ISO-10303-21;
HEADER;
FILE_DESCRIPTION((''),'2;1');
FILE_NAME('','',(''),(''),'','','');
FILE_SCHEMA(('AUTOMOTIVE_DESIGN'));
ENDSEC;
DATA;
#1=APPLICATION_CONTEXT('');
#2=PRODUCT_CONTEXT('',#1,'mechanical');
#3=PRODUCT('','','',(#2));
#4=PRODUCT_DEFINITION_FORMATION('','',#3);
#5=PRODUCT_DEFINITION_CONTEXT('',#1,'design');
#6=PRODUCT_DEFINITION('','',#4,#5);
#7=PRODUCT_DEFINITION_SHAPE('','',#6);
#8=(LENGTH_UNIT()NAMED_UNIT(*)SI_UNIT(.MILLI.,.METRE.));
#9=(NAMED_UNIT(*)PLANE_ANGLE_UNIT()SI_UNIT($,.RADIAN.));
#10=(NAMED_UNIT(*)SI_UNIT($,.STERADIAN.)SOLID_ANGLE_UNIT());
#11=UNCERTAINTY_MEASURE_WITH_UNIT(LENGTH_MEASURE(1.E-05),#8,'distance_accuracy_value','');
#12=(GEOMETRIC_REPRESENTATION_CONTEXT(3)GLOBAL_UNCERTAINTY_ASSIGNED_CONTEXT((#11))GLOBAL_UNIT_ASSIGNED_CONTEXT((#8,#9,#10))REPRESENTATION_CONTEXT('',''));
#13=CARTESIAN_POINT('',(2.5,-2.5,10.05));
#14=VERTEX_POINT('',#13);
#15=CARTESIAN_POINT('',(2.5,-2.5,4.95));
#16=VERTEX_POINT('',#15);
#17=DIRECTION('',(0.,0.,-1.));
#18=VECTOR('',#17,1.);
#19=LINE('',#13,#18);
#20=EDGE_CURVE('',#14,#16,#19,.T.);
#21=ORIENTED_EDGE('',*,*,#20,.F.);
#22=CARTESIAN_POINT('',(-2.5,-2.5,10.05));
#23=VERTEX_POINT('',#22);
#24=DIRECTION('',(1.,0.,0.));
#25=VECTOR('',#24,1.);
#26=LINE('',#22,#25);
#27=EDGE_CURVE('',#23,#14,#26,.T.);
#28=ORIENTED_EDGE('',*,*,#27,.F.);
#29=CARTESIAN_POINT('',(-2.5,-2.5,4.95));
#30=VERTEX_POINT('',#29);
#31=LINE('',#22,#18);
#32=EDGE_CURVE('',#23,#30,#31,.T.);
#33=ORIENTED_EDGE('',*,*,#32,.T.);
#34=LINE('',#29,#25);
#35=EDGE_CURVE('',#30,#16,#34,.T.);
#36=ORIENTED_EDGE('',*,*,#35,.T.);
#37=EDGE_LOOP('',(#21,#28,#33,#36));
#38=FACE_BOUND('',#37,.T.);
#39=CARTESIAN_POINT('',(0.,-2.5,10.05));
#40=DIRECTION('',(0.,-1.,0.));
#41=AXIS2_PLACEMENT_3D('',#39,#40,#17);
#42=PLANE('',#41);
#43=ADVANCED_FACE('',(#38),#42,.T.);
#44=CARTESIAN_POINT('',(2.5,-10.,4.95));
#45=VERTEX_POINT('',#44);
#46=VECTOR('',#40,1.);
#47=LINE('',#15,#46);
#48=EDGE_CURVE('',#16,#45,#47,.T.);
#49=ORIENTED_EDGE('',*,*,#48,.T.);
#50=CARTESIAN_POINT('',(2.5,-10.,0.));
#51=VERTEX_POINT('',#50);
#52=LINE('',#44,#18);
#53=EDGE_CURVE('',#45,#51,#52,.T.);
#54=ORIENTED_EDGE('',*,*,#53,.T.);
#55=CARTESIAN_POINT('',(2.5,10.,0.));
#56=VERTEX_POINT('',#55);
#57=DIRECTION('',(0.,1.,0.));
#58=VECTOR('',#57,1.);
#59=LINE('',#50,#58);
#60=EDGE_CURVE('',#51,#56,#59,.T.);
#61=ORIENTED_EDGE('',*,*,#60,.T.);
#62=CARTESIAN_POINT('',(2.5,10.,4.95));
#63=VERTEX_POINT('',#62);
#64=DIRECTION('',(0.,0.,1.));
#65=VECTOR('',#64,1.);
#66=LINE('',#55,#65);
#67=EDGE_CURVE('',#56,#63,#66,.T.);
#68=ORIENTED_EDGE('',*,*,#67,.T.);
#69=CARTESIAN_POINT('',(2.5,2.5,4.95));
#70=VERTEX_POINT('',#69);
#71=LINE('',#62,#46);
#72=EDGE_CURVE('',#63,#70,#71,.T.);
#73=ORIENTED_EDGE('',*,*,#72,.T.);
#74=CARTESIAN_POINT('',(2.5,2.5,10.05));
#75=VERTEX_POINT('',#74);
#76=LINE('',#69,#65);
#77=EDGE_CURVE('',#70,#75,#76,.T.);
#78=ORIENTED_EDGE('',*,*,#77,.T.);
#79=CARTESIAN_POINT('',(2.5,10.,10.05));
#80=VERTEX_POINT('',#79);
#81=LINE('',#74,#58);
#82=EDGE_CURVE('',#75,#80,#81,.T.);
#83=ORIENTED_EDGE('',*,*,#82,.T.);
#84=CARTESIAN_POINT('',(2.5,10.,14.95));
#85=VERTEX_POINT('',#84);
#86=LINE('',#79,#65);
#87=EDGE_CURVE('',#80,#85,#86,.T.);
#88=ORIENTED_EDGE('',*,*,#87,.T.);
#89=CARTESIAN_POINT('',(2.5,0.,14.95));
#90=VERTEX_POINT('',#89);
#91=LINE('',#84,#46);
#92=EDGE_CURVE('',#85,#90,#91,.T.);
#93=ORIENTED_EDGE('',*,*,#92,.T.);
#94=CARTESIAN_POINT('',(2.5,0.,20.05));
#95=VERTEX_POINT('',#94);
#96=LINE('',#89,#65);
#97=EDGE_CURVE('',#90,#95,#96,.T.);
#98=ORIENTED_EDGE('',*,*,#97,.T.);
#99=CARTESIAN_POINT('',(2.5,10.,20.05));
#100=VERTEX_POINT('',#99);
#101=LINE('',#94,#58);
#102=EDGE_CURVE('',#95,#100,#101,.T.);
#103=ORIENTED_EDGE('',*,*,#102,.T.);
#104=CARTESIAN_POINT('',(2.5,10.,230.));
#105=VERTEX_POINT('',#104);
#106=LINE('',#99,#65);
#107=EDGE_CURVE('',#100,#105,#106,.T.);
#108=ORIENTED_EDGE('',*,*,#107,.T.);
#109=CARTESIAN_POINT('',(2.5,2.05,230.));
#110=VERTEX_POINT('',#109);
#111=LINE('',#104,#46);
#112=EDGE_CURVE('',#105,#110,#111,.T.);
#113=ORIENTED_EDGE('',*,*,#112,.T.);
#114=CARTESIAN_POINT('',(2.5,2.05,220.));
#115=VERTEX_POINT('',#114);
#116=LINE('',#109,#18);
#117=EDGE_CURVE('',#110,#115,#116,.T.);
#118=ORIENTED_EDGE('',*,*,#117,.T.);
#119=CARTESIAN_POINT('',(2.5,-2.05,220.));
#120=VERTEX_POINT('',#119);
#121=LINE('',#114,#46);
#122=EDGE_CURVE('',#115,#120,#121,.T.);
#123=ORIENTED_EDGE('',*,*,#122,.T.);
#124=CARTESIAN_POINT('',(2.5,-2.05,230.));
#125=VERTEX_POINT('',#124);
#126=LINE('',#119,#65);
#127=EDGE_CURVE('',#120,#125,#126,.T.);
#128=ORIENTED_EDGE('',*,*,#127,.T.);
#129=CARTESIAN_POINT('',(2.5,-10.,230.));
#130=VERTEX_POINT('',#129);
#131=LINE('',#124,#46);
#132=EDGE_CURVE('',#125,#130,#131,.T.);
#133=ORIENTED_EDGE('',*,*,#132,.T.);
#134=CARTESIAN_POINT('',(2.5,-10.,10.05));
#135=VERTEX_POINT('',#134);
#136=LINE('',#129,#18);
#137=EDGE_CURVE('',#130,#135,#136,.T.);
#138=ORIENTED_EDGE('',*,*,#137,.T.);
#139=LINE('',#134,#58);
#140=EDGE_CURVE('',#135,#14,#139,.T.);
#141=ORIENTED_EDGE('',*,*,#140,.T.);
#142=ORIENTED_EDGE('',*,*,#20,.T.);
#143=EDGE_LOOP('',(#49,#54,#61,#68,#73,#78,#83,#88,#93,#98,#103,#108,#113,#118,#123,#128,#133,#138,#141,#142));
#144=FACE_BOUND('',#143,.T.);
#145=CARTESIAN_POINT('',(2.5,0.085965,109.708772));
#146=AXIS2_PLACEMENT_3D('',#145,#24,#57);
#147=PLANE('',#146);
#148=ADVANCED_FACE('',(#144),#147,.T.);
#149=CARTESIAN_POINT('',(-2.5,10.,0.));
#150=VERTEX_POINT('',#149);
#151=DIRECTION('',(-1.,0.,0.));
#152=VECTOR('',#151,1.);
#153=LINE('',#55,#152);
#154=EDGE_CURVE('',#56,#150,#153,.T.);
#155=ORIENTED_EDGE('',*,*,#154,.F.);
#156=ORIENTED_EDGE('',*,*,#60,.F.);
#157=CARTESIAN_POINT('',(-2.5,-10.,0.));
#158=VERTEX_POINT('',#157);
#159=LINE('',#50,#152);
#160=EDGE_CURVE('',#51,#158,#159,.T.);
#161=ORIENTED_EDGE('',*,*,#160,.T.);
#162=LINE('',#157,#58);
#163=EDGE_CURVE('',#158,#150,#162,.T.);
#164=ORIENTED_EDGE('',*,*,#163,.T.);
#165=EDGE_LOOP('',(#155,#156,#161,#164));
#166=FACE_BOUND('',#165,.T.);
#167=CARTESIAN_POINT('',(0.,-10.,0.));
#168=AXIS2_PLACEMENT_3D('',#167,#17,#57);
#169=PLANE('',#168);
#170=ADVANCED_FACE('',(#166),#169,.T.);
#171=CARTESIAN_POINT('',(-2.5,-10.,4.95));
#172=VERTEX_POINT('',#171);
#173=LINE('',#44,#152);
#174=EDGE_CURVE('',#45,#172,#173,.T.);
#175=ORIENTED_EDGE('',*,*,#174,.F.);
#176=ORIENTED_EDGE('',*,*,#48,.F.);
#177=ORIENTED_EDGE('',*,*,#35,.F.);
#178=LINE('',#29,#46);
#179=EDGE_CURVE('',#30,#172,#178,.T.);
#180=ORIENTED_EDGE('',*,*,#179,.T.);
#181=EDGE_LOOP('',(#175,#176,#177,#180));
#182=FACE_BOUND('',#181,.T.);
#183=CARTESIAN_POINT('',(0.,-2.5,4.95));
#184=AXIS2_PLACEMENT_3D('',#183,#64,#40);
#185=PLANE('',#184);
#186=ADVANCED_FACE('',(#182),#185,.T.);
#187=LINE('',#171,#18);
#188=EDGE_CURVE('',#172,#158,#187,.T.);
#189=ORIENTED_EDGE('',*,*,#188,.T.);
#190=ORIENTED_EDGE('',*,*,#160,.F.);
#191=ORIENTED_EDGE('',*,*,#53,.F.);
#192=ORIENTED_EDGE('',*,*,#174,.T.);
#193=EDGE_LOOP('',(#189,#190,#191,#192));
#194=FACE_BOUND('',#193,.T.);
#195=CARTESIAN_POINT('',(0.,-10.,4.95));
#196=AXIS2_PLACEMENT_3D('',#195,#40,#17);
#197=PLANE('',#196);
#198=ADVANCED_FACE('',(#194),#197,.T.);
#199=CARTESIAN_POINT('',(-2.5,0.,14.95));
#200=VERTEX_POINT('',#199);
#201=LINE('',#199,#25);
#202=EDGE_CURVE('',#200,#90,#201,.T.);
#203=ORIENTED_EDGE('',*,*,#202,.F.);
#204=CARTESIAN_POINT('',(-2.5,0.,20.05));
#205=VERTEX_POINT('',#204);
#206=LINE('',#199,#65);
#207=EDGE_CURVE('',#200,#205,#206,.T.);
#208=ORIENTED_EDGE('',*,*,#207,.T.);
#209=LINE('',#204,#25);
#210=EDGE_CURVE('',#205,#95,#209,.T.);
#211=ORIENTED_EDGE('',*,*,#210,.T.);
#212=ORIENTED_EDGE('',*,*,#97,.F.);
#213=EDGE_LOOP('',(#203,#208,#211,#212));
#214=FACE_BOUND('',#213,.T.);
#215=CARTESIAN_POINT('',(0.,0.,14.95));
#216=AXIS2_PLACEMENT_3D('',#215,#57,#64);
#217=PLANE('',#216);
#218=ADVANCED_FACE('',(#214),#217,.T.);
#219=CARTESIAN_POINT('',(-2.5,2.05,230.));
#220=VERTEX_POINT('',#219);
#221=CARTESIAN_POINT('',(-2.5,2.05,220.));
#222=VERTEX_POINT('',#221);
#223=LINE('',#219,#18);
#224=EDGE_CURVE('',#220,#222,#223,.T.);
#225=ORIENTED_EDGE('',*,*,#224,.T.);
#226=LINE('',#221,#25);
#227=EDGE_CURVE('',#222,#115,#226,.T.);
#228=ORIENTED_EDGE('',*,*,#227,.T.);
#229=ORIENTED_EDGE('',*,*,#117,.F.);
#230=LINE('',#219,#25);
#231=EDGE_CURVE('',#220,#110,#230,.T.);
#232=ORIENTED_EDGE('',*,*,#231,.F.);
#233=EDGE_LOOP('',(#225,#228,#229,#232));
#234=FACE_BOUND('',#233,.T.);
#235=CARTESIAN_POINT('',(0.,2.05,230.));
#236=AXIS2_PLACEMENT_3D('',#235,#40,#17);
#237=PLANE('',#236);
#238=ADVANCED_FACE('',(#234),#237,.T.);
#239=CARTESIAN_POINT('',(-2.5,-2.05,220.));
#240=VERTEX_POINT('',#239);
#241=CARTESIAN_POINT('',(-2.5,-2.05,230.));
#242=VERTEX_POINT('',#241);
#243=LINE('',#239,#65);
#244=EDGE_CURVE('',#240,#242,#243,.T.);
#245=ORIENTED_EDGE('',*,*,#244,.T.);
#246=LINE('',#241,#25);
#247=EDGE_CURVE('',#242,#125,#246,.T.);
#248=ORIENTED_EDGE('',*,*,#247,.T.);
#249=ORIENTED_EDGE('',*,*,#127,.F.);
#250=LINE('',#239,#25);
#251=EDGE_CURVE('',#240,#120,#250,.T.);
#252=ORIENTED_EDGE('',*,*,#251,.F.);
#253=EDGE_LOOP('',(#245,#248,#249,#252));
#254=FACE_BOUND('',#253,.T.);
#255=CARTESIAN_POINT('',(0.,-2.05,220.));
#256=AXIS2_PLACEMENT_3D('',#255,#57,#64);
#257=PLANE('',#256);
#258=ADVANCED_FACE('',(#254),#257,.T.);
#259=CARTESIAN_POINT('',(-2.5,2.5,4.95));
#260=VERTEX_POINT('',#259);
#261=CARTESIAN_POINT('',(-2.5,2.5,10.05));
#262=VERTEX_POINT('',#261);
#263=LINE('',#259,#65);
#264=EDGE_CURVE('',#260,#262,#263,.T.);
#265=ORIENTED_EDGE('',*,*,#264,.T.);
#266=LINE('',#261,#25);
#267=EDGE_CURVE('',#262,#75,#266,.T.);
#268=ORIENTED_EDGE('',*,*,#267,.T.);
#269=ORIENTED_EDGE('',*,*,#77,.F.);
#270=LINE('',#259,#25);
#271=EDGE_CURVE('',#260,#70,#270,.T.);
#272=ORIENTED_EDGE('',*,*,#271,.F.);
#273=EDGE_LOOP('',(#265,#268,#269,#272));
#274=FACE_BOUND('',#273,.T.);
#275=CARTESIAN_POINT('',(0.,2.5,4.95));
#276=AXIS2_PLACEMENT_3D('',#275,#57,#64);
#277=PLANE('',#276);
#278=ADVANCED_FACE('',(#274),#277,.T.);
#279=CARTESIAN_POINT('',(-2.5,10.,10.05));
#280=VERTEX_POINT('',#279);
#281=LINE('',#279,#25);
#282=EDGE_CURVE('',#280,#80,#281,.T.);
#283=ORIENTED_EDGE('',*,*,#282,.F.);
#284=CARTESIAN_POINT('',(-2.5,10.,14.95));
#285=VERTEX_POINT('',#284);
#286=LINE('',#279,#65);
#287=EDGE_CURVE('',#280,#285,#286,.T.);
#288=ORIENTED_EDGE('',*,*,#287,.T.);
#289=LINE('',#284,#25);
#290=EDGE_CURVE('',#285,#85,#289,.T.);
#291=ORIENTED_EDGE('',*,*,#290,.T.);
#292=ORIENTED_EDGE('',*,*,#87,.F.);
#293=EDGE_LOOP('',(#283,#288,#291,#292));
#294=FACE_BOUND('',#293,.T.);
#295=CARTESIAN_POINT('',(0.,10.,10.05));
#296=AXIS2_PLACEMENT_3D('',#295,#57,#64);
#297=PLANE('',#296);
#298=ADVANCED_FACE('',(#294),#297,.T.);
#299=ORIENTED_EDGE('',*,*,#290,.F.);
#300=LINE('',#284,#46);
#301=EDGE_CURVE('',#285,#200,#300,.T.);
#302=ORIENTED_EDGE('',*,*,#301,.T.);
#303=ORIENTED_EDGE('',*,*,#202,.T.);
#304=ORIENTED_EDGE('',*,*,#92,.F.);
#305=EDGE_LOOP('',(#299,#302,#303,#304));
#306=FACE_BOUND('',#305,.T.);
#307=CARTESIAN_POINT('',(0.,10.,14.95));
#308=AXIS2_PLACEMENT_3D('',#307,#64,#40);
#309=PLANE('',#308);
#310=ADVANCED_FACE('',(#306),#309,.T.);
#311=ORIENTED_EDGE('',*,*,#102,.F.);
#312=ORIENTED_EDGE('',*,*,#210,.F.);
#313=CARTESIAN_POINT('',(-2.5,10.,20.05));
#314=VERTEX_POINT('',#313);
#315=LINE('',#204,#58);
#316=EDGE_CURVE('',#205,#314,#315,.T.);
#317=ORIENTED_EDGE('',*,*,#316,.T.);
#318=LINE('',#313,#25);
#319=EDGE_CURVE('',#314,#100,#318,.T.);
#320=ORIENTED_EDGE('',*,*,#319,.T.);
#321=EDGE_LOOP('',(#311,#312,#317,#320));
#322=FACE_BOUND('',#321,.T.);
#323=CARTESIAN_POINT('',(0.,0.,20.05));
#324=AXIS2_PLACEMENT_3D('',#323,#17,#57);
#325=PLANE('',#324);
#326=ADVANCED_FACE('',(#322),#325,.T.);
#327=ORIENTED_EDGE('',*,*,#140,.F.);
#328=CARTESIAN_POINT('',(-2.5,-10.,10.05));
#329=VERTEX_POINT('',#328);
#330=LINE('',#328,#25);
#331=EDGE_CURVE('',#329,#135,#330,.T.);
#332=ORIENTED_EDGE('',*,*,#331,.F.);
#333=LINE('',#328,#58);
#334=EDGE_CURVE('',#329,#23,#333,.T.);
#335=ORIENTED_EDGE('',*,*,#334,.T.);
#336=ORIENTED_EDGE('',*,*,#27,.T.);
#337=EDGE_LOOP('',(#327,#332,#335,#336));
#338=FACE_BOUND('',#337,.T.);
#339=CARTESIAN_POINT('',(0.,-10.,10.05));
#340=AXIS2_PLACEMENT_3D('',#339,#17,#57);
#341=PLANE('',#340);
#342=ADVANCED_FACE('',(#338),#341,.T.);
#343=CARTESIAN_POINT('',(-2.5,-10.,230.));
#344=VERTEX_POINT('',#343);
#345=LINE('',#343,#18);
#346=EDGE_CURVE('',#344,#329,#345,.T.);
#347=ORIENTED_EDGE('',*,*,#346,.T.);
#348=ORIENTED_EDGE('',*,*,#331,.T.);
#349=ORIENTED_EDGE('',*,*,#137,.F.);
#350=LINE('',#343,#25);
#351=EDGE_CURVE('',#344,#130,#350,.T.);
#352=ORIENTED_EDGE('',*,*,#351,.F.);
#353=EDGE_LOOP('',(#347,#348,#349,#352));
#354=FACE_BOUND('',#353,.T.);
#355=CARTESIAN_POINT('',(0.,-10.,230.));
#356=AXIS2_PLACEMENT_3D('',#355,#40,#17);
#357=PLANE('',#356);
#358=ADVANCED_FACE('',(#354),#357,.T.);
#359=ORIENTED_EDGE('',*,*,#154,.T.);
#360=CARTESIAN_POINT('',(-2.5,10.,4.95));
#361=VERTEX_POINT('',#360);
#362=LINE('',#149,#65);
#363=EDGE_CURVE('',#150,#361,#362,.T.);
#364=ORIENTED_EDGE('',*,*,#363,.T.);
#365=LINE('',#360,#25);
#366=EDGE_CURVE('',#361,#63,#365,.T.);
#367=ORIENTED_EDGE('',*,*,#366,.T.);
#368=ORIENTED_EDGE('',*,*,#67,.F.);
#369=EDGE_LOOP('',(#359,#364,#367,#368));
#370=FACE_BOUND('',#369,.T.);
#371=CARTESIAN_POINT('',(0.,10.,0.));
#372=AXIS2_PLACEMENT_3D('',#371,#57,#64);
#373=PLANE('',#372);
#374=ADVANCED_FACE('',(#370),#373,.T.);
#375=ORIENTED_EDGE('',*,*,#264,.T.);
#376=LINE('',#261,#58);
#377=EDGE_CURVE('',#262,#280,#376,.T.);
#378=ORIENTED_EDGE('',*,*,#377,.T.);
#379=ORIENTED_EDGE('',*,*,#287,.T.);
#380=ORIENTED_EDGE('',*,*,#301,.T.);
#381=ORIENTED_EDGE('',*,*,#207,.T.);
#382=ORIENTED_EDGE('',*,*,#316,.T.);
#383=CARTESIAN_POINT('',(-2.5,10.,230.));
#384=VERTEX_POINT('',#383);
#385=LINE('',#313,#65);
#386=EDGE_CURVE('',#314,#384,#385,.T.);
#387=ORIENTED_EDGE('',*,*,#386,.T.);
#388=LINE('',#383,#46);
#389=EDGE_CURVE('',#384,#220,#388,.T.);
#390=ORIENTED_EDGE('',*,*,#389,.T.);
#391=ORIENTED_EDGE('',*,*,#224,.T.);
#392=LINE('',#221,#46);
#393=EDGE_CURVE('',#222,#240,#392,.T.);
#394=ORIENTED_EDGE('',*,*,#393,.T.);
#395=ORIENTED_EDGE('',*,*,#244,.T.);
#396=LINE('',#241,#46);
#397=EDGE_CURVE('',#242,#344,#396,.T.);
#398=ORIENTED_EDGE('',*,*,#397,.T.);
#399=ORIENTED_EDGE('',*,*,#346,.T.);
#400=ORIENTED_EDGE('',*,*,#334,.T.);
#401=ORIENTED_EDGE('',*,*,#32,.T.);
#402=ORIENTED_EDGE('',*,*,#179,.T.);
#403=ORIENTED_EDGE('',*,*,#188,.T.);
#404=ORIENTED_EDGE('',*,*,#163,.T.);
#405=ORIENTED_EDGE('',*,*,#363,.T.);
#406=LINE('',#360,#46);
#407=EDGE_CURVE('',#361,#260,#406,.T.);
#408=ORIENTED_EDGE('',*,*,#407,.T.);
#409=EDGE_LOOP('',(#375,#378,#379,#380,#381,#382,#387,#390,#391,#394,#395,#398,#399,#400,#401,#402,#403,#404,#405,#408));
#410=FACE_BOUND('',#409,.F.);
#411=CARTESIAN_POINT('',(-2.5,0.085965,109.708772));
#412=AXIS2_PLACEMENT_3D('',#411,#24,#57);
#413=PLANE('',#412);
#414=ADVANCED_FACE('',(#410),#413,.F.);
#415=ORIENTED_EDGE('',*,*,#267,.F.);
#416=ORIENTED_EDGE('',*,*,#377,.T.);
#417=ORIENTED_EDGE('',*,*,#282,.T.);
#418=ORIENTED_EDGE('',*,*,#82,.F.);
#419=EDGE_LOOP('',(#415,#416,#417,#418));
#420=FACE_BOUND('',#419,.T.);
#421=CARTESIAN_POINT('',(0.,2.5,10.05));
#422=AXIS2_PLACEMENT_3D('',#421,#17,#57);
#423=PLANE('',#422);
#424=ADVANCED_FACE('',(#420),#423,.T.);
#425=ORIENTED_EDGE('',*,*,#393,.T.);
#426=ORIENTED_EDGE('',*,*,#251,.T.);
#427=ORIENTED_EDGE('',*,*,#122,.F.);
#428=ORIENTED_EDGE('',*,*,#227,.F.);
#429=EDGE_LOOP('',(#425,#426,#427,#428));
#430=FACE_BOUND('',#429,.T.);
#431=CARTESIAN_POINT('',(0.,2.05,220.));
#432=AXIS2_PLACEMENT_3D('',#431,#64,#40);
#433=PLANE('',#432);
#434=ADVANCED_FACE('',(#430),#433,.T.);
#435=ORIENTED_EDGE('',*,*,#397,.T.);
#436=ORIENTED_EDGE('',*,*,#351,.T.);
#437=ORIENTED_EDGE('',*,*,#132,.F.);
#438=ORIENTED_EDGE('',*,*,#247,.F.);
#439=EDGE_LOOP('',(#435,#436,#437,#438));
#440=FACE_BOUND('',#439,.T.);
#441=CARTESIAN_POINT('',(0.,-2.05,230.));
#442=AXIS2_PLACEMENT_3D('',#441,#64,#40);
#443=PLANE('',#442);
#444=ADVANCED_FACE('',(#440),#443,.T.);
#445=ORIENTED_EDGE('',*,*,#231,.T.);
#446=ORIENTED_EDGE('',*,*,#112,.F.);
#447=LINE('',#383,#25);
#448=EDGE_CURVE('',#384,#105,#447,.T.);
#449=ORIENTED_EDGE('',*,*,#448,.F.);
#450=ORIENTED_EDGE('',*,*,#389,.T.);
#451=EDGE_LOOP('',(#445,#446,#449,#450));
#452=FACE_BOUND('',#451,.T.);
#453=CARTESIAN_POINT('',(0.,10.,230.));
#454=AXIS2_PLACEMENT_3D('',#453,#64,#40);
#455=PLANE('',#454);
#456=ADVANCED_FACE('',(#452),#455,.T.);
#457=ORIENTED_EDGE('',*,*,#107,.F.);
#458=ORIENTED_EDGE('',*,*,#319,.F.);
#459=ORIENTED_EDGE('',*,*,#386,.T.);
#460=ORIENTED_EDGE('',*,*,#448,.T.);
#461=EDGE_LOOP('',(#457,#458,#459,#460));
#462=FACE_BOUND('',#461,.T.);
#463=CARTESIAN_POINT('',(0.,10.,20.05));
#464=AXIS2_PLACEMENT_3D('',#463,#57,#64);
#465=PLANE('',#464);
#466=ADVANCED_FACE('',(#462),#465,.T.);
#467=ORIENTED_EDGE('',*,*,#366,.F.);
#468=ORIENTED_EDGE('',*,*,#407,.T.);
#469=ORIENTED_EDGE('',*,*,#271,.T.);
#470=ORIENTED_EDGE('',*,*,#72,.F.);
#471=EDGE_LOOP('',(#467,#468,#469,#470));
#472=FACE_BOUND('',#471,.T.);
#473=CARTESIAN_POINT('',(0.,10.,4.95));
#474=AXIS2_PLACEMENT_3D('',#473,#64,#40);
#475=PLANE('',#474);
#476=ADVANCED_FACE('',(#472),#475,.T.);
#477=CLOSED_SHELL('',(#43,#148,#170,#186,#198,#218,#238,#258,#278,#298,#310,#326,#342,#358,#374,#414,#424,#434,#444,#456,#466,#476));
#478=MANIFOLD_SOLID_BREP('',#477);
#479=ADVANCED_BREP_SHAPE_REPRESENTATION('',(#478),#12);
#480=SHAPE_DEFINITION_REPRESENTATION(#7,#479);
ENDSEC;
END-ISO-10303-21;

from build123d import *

# Parameters (mm, degrees)
PAD_DEPTH = 2.5


with BuildPart() as part:
    # Sketch → Pad (new body, symmetric)
    with BuildSketch(Plane.YZ):
        Polygon((10, 0), (10, 4.95), (2.5, 4.95), (2.5, 10.05), (10, 10.05), (10, 14.95), (0, 14.95), (0, 20.05), (10, 20.05), (10, 230), (2.05, 230), (2.05, 220), (-2.05, 220), (-2.05, 230), (-10, 230), (-10, 10.05), (-2.5, 10.05), (-2.5, 4.95), (-10, 4.95), (-10, 0), align=None)
    extrude(amount=PAD_DEPTH, both=True)


solid = part.part
